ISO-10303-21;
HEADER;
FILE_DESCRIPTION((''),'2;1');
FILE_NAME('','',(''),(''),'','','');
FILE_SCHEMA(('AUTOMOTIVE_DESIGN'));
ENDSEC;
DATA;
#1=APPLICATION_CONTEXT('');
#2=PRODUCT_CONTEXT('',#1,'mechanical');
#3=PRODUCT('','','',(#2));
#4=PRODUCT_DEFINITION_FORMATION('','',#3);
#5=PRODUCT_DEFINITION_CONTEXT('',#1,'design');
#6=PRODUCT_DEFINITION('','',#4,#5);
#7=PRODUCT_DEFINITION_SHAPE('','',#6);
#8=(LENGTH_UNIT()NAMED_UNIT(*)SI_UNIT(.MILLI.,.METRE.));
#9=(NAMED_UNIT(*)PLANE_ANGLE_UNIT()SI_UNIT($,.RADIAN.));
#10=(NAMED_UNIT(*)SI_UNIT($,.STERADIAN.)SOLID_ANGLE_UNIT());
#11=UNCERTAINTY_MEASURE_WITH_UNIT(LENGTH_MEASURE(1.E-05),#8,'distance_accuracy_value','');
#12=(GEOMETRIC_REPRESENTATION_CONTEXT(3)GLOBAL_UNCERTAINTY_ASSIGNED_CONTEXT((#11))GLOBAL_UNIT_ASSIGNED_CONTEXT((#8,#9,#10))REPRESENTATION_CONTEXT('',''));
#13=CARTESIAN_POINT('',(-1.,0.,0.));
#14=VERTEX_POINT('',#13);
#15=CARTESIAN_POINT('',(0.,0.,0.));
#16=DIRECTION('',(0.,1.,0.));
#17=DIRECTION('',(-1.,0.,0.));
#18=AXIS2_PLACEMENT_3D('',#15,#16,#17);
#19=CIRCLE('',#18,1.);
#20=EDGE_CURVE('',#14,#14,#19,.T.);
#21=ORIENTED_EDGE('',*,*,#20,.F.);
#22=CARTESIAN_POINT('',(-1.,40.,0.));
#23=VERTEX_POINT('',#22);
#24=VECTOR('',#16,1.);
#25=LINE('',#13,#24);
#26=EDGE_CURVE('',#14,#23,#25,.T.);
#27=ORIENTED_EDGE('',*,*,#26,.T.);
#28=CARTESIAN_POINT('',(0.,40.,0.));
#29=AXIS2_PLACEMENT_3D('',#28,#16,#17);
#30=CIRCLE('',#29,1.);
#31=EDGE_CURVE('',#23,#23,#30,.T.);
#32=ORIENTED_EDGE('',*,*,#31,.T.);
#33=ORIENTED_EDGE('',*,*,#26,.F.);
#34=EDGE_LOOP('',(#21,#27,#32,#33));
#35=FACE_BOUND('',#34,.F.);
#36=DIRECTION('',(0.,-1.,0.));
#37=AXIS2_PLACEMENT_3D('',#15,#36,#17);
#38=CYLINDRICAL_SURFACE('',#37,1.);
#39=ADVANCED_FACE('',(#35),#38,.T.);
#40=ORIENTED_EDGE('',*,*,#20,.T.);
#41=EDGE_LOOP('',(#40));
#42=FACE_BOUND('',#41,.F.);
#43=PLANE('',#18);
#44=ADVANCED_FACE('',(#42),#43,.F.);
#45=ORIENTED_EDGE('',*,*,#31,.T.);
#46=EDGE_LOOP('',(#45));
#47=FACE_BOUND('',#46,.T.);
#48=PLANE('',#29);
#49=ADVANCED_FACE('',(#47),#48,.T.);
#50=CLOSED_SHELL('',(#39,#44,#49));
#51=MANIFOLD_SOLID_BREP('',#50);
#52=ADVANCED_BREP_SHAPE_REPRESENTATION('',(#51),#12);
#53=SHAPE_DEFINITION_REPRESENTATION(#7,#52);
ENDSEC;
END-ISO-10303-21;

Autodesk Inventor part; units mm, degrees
ref_plane "YZ Plane" through (0, 0, 0) normal (1, 0, 0) x (0, 1, 0)
ref_plane "XZ Plane" through (0, 0, 0) normal (0, 1, 0) x (-1, 0, 0)
ref_plane "XY Plane" through (0, 0, 0) normal (0, 0, 1) x (1, 0, 0)
sketch "Sketch1" plane through (0, 0, 0) normal (0, 1, 0) x (-1, 0, 0)
  circle A0 centre (0, 0) radius 1
  dimension "d0" = 2
extrude "Extrusion1" add sketch "Sketch1" along normal blind 40
properties part number "rud_ujjba_hosszu"
